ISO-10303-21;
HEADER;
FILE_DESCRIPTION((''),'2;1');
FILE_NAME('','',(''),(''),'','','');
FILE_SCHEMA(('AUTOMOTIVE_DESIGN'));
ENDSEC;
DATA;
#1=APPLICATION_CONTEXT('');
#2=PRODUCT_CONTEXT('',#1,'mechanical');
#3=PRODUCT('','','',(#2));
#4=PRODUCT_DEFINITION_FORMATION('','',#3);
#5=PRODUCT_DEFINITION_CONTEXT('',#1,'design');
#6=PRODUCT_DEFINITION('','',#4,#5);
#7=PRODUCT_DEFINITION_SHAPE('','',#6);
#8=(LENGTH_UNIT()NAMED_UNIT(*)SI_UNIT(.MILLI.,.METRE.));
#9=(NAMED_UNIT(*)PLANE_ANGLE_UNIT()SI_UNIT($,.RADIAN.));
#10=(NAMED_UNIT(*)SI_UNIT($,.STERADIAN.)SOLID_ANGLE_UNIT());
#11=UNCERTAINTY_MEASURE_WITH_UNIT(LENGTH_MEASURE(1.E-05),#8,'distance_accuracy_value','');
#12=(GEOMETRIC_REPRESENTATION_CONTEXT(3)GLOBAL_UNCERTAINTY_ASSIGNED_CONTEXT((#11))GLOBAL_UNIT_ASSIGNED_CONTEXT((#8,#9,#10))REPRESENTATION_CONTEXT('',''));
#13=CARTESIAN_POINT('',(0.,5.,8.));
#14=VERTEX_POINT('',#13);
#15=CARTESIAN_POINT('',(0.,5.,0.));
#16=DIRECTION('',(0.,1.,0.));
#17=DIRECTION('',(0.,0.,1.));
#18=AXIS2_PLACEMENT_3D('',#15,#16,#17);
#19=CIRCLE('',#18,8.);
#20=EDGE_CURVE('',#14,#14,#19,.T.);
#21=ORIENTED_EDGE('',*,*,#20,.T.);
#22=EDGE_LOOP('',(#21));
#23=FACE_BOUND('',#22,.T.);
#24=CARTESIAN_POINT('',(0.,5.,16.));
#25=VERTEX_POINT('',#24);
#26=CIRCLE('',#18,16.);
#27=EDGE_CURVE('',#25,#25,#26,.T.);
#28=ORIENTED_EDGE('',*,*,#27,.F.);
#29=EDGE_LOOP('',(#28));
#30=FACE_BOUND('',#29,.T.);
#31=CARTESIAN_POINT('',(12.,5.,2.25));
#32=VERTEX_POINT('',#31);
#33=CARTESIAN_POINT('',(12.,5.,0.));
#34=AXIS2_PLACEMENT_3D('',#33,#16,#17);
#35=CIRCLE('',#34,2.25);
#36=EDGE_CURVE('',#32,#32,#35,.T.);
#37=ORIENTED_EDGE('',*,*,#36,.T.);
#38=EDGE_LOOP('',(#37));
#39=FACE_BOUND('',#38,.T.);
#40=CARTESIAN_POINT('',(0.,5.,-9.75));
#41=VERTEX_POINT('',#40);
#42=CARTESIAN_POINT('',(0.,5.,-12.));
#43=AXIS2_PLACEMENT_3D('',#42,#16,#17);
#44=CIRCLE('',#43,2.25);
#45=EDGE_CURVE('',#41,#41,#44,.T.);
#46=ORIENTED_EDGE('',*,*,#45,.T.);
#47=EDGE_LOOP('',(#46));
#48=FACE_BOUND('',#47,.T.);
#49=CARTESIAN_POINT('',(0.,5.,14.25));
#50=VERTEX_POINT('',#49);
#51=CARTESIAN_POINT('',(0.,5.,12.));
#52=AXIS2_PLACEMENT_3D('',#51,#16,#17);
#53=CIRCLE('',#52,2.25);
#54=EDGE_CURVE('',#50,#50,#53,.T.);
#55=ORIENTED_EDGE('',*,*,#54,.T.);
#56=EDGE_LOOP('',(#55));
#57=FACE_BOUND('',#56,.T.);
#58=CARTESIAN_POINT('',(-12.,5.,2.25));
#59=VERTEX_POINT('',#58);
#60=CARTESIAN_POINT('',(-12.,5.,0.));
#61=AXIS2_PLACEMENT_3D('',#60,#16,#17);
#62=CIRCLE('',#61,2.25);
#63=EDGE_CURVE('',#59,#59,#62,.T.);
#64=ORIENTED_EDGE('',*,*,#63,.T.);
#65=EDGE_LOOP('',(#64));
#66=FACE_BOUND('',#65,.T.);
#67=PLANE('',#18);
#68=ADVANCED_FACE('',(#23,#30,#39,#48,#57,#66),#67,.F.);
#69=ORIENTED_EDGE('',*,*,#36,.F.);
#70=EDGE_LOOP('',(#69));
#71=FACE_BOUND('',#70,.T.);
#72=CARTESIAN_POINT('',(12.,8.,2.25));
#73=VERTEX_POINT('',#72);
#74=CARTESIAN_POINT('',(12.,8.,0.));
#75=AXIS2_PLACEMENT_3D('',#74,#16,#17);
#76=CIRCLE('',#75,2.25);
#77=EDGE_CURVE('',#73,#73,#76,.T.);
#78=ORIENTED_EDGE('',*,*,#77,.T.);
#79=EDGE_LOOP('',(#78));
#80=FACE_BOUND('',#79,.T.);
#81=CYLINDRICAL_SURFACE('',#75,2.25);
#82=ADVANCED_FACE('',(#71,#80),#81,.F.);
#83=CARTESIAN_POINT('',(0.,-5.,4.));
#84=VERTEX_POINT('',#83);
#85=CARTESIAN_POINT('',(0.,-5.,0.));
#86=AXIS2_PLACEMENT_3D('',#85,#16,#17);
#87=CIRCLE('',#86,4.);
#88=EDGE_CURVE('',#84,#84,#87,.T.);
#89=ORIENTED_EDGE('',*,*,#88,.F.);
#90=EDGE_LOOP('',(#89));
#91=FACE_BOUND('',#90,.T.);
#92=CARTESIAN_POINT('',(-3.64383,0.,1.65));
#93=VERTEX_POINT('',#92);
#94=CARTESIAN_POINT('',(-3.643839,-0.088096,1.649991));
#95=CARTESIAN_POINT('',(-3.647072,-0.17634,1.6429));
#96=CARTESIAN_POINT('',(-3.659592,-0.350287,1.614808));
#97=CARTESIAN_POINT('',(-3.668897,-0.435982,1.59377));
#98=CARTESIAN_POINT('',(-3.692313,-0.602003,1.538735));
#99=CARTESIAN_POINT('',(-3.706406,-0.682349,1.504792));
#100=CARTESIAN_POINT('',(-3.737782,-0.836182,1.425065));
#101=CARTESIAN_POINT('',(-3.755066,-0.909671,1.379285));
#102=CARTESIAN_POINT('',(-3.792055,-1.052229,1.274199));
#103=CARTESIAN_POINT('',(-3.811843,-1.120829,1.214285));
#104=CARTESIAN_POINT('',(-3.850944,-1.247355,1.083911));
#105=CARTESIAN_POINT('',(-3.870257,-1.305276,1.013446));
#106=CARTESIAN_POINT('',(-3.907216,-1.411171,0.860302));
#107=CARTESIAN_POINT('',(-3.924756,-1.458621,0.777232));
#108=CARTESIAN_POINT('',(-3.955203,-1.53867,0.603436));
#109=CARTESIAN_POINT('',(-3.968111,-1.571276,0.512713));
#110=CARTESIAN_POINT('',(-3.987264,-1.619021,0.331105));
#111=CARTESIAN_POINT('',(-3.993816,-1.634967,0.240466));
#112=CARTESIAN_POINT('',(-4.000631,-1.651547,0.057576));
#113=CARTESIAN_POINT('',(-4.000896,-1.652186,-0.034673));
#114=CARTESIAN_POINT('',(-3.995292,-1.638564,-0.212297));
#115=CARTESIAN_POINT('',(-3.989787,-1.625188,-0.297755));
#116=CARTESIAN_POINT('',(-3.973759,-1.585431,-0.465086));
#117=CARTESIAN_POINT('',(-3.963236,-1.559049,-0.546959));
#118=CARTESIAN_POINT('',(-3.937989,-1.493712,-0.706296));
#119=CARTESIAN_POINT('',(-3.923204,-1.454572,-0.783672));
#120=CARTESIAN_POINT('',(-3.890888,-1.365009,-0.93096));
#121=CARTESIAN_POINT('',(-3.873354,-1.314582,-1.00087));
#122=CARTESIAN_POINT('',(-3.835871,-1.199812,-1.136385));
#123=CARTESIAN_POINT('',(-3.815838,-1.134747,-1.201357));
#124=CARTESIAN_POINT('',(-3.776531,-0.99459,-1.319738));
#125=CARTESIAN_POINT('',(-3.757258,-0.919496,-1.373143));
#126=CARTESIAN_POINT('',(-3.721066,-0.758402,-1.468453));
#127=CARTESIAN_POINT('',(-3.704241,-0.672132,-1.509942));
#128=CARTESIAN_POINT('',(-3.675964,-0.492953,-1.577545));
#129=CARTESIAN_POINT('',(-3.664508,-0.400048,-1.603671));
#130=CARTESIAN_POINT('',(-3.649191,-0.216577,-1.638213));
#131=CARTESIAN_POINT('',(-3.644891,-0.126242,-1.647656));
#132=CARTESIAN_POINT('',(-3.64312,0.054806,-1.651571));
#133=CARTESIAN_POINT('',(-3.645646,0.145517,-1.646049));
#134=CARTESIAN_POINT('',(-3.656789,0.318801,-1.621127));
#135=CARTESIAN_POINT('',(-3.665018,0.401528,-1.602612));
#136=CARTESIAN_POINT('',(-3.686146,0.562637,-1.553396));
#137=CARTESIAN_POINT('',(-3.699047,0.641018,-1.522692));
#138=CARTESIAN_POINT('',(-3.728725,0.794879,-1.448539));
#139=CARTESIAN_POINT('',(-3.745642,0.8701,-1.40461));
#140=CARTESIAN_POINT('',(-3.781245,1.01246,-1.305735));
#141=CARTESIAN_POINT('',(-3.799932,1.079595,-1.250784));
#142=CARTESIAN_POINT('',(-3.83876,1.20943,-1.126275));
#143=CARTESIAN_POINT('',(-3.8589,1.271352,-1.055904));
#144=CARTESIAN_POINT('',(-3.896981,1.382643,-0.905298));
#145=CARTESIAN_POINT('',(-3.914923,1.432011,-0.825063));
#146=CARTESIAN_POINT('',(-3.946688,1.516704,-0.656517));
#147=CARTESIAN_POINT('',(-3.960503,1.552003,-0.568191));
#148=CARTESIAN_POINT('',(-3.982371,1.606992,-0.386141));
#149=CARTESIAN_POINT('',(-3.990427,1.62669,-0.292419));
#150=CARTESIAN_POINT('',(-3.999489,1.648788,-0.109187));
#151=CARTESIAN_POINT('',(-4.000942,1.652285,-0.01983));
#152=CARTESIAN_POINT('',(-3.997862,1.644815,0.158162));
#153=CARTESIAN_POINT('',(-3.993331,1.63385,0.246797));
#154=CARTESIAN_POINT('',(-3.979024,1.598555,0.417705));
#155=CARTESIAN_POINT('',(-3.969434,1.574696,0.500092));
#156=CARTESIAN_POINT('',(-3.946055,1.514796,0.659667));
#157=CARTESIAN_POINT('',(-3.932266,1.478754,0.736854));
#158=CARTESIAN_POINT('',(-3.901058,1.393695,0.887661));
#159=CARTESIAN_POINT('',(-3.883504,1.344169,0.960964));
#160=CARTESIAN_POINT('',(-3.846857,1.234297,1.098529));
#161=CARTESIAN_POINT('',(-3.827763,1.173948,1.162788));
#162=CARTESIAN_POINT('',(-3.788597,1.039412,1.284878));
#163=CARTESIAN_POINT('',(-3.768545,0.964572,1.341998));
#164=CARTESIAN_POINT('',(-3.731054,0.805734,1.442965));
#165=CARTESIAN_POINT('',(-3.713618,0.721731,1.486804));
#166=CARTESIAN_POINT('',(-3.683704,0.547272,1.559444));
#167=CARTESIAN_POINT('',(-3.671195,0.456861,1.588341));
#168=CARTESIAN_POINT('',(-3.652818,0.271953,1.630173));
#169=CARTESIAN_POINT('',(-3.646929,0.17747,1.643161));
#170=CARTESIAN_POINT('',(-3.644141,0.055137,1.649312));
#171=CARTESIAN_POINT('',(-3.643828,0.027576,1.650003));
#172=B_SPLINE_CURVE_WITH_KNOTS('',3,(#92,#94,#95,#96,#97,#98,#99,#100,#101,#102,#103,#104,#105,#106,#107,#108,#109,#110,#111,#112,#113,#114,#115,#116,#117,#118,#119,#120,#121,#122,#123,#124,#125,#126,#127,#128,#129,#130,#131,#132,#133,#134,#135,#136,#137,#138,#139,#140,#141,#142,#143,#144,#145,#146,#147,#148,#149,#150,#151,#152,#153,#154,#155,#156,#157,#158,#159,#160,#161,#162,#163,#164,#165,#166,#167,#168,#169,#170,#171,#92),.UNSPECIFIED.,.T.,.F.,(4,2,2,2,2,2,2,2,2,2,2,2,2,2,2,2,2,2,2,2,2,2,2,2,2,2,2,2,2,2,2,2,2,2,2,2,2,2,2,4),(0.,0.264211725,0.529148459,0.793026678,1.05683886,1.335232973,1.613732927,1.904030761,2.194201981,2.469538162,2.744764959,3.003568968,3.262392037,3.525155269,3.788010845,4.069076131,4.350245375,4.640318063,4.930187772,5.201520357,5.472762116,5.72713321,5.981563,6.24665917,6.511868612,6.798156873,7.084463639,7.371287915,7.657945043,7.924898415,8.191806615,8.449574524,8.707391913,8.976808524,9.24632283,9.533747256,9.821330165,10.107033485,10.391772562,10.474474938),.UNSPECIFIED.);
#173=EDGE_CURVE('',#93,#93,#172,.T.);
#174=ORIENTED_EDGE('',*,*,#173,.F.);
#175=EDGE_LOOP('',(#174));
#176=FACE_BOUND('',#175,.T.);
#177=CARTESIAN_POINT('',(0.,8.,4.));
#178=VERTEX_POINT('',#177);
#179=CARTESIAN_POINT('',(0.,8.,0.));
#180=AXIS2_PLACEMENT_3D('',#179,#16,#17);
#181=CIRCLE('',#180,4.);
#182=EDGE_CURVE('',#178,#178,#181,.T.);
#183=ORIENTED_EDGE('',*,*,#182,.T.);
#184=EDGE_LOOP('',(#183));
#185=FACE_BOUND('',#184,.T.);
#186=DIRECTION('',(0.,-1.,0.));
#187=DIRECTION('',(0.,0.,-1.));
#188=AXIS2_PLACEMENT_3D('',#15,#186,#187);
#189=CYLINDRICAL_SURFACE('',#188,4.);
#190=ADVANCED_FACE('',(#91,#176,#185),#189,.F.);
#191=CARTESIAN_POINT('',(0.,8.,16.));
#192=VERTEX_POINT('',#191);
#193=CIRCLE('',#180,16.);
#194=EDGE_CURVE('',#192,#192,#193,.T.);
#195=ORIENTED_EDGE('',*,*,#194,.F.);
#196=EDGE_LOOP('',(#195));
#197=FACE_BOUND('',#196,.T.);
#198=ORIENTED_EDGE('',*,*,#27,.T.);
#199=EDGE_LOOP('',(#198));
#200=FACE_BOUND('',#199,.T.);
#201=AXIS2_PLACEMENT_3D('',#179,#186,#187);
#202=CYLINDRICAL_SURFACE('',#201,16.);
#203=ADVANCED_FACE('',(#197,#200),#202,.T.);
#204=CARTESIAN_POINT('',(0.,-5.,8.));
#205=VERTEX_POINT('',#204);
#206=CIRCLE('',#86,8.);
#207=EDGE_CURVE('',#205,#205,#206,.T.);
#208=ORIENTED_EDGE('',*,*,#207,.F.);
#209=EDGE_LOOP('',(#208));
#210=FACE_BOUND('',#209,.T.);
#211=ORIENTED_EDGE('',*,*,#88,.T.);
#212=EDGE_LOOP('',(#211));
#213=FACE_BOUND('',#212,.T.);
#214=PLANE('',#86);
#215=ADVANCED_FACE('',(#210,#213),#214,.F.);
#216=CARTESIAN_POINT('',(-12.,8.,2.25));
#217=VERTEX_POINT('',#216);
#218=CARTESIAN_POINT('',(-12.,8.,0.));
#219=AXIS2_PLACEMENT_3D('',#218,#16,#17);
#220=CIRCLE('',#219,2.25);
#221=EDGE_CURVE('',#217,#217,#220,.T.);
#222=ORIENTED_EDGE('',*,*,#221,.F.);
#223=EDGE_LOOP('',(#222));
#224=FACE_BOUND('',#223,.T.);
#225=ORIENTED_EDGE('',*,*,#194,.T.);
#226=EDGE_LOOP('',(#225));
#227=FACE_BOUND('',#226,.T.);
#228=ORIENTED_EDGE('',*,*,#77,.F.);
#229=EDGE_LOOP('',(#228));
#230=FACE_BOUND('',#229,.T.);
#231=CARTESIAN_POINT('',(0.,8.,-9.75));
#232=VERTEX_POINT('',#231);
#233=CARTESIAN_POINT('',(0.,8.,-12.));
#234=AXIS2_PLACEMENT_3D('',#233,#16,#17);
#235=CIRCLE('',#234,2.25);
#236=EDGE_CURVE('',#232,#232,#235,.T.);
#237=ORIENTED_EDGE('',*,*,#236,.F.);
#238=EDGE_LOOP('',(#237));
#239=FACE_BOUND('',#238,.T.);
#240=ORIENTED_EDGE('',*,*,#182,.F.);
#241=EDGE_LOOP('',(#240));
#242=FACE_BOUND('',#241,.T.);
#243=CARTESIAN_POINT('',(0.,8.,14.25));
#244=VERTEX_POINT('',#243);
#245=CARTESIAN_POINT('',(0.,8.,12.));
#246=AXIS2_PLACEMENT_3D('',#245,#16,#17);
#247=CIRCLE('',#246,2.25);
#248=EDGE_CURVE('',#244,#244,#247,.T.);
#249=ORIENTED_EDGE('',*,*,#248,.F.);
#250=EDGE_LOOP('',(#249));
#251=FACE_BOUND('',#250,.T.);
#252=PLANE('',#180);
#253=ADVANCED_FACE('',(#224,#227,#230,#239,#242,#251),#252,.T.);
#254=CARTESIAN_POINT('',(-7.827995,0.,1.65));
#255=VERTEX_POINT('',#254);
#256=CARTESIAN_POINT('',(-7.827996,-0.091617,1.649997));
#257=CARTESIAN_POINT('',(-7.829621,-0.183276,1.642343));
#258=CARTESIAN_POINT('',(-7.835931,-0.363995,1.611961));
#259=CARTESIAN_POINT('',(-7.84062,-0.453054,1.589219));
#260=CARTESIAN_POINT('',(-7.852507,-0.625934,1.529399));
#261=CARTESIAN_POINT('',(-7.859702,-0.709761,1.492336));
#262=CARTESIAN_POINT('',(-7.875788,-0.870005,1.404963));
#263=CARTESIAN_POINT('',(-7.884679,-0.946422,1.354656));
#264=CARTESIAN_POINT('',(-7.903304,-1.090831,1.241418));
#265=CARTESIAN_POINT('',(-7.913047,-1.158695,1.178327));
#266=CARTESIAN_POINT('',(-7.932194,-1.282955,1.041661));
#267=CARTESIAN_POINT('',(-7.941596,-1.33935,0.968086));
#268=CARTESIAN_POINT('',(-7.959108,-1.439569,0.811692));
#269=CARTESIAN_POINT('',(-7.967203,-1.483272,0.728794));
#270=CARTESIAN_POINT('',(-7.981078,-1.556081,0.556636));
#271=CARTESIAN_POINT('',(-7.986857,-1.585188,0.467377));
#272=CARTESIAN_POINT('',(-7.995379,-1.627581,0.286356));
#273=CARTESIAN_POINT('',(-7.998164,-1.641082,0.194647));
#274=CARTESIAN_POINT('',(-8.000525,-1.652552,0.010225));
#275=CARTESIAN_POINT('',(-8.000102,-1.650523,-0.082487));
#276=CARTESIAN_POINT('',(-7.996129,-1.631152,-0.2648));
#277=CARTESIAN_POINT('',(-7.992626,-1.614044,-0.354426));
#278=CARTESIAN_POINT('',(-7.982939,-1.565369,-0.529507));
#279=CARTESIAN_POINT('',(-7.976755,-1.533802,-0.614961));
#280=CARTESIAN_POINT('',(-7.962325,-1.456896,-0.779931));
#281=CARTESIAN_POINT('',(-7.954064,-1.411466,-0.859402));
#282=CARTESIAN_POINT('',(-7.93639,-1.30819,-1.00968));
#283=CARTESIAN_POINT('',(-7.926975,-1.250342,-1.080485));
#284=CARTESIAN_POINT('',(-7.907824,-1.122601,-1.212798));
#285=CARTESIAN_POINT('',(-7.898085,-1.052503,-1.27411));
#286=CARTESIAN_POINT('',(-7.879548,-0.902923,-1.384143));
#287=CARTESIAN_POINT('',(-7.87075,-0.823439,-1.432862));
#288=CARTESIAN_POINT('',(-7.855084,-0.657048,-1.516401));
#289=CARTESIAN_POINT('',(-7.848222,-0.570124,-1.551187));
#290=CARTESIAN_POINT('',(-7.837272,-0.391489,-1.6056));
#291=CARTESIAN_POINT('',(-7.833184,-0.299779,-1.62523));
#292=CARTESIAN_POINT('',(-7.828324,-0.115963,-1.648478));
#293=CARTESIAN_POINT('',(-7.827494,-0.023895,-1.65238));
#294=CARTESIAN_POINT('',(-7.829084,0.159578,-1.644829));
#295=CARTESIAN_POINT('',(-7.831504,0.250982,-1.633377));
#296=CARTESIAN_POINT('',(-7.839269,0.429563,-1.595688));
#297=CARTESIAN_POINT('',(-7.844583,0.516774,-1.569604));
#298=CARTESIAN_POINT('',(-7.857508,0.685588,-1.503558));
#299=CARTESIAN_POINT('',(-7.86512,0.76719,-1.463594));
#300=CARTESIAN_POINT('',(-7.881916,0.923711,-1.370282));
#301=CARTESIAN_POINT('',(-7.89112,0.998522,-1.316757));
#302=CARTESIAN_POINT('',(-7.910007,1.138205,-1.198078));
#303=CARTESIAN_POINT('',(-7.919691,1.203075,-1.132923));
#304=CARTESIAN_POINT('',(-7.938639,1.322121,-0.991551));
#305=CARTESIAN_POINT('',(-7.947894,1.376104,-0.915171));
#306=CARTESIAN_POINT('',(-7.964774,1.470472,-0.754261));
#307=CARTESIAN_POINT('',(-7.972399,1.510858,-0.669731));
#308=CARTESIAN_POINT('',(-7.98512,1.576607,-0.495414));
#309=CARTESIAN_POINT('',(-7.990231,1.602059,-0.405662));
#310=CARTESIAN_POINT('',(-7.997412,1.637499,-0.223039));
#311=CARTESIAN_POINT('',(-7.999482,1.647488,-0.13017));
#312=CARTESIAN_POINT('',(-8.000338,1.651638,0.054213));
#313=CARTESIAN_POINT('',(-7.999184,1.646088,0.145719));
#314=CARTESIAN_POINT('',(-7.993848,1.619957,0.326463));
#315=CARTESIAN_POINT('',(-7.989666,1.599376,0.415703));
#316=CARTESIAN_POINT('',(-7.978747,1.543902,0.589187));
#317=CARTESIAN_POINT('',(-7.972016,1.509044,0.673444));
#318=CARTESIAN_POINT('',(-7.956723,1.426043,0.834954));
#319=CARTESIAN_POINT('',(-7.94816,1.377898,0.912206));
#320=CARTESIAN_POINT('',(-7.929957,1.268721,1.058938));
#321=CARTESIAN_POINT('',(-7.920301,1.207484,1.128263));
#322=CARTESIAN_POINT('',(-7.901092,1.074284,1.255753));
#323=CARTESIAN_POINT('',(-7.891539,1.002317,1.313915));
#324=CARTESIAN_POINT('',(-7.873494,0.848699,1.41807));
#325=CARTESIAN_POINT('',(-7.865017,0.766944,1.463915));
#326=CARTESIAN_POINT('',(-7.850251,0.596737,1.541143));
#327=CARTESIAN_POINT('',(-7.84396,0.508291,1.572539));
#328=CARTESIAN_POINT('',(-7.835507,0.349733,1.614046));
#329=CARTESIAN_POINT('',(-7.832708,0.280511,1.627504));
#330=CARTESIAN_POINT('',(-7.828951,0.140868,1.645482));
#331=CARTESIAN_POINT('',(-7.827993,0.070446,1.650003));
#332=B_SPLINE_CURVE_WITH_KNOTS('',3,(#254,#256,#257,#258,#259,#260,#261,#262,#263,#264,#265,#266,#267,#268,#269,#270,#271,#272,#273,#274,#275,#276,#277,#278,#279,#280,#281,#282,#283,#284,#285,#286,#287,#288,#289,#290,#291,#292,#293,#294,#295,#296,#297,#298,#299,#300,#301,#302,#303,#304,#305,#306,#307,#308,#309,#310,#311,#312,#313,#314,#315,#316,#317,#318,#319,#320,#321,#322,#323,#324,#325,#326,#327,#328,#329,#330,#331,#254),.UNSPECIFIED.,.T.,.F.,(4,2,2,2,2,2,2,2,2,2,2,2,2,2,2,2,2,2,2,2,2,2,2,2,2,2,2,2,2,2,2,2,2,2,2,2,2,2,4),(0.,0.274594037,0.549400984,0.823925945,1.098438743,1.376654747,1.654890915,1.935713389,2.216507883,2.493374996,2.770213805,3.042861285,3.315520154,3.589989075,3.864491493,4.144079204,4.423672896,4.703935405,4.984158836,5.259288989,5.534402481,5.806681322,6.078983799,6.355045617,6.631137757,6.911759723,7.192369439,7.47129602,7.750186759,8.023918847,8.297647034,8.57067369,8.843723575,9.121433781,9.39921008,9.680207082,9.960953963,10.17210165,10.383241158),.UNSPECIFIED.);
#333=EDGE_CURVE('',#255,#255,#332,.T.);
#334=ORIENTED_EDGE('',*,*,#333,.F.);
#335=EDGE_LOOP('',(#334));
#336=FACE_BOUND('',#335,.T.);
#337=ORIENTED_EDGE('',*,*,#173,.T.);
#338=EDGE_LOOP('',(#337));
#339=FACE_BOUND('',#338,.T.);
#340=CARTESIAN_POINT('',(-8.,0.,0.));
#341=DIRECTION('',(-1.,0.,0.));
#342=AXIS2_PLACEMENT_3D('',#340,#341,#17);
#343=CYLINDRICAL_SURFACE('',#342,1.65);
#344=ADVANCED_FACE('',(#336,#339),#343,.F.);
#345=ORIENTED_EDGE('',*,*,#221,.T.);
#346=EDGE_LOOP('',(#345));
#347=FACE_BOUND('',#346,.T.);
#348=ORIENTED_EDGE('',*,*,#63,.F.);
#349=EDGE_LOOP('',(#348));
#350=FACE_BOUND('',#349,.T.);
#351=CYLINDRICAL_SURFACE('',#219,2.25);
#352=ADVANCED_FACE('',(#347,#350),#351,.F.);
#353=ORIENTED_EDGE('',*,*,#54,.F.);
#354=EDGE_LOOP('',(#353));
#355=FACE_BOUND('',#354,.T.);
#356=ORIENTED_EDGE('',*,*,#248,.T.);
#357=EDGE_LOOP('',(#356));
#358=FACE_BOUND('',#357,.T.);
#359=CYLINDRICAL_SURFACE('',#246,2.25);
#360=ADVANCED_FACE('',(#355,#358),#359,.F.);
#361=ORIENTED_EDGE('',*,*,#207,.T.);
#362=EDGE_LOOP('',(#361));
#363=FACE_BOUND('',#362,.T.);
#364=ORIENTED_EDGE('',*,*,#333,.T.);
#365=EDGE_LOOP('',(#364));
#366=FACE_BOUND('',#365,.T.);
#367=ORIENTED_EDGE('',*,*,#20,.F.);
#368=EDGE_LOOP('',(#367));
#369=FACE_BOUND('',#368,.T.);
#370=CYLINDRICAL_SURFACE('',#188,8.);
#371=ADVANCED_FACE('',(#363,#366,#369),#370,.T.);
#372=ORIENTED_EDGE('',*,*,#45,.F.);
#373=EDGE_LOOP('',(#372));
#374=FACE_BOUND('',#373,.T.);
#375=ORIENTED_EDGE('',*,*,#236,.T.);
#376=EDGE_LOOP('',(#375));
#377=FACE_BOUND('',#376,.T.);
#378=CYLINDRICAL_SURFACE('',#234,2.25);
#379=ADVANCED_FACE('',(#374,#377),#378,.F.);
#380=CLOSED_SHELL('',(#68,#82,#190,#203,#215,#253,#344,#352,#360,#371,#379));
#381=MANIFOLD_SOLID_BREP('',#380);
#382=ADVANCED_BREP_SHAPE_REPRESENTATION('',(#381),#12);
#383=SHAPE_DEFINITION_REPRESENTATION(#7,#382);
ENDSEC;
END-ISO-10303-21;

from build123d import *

# Parameters (mm, degrees)
SKETCH1_R                  = 8
SKETCH1_R_2                = 4
BOSS_EXTRUDE1_DEPTH        = 5
SKETCH2_R                  = 16
SKETCH2_R_2                = 4
BOSS_EXTRUDE2_DEPTH        = 3
M4X0_7_TAPPED_HOLE1_REACH  = 31.933
M4X0_7_TAPPED_HOLE1_BORE_R = 1.65
M4_CLEARANCE_HOLE1_D       = 4.5


with BuildPart() as part:
    # Sketch1 → Boss-Extrude1 (new, symmetric)
    with BuildSketch(Plane(origin=(0, 0, 0), x_dir=(1, 0, 0), z_dir=(0, 1, 0))):
        with Locations(Location((0, 0, 0), (0, 0, 270))):
            Circle(SKETCH1_R)
        with Locations(Location((0, 0, 0), (0, 0, 270))):
            Circle(SKETCH1_R_2, mode=Mode.SUBTRACT)
    extrude(amount=BOSS_EXTRUDE1_DEPTH, both=True)

    # Sketch2 → Boss-Extrude2 (add)
    with BuildSketch(Plane(origin=(0, 5, 0), x_dir=(1, 0, 0), z_dir=(0, 1, 0))):
        with Locations(Location((0, 0, 0), (0, 0, 270))):
            Circle(SKETCH2_R)
        with Locations(Location((0, 0, 0), (0, 0, 270))):
            Circle(SKETCH2_R_2, mode=Mode.SUBTRACT)
    extrude(amount=BOSS_EXTRUDE2_DEPTH)

    # M4x0.7 Tapped Hole1 bore → M4x0.7 Tapped Hole1 (cut, up to next)
    with BuildSketch(Plane.ZY.offset(8), mode=Mode.PRIVATE) as m4x0_7_tapped_hole1_sk1:
        Circle(M4X0_7_TAPPED_HOLE1_BORE_R)
    m4x0_7_tapped_hole1_tool1 = extrude(m4x0_7_tapped_hole1_sk1.sketch, amount=-M4X0_7_TAPPED_HOLE1_REACH, mode=Mode.PRIVATE) & part.part
    add(m4x0_7_tapped_hole1_tool1.solids().sort_by_distance((-8, 0, 0))[0], mode=Mode.SUBTRACT)

    # M4 Clearance Hole1 (through all)
    with Locations(Plane(origin=(0, 8, 0), x_dir=(1, 0, 0), z_dir=(0, 1, 0))):
        with Locations((0, 12), (12, 0), (-12, 0), (0, -12)):
            Hole(M4_CLEARANCE_HOLE1_D / 2)


solid = part.part
